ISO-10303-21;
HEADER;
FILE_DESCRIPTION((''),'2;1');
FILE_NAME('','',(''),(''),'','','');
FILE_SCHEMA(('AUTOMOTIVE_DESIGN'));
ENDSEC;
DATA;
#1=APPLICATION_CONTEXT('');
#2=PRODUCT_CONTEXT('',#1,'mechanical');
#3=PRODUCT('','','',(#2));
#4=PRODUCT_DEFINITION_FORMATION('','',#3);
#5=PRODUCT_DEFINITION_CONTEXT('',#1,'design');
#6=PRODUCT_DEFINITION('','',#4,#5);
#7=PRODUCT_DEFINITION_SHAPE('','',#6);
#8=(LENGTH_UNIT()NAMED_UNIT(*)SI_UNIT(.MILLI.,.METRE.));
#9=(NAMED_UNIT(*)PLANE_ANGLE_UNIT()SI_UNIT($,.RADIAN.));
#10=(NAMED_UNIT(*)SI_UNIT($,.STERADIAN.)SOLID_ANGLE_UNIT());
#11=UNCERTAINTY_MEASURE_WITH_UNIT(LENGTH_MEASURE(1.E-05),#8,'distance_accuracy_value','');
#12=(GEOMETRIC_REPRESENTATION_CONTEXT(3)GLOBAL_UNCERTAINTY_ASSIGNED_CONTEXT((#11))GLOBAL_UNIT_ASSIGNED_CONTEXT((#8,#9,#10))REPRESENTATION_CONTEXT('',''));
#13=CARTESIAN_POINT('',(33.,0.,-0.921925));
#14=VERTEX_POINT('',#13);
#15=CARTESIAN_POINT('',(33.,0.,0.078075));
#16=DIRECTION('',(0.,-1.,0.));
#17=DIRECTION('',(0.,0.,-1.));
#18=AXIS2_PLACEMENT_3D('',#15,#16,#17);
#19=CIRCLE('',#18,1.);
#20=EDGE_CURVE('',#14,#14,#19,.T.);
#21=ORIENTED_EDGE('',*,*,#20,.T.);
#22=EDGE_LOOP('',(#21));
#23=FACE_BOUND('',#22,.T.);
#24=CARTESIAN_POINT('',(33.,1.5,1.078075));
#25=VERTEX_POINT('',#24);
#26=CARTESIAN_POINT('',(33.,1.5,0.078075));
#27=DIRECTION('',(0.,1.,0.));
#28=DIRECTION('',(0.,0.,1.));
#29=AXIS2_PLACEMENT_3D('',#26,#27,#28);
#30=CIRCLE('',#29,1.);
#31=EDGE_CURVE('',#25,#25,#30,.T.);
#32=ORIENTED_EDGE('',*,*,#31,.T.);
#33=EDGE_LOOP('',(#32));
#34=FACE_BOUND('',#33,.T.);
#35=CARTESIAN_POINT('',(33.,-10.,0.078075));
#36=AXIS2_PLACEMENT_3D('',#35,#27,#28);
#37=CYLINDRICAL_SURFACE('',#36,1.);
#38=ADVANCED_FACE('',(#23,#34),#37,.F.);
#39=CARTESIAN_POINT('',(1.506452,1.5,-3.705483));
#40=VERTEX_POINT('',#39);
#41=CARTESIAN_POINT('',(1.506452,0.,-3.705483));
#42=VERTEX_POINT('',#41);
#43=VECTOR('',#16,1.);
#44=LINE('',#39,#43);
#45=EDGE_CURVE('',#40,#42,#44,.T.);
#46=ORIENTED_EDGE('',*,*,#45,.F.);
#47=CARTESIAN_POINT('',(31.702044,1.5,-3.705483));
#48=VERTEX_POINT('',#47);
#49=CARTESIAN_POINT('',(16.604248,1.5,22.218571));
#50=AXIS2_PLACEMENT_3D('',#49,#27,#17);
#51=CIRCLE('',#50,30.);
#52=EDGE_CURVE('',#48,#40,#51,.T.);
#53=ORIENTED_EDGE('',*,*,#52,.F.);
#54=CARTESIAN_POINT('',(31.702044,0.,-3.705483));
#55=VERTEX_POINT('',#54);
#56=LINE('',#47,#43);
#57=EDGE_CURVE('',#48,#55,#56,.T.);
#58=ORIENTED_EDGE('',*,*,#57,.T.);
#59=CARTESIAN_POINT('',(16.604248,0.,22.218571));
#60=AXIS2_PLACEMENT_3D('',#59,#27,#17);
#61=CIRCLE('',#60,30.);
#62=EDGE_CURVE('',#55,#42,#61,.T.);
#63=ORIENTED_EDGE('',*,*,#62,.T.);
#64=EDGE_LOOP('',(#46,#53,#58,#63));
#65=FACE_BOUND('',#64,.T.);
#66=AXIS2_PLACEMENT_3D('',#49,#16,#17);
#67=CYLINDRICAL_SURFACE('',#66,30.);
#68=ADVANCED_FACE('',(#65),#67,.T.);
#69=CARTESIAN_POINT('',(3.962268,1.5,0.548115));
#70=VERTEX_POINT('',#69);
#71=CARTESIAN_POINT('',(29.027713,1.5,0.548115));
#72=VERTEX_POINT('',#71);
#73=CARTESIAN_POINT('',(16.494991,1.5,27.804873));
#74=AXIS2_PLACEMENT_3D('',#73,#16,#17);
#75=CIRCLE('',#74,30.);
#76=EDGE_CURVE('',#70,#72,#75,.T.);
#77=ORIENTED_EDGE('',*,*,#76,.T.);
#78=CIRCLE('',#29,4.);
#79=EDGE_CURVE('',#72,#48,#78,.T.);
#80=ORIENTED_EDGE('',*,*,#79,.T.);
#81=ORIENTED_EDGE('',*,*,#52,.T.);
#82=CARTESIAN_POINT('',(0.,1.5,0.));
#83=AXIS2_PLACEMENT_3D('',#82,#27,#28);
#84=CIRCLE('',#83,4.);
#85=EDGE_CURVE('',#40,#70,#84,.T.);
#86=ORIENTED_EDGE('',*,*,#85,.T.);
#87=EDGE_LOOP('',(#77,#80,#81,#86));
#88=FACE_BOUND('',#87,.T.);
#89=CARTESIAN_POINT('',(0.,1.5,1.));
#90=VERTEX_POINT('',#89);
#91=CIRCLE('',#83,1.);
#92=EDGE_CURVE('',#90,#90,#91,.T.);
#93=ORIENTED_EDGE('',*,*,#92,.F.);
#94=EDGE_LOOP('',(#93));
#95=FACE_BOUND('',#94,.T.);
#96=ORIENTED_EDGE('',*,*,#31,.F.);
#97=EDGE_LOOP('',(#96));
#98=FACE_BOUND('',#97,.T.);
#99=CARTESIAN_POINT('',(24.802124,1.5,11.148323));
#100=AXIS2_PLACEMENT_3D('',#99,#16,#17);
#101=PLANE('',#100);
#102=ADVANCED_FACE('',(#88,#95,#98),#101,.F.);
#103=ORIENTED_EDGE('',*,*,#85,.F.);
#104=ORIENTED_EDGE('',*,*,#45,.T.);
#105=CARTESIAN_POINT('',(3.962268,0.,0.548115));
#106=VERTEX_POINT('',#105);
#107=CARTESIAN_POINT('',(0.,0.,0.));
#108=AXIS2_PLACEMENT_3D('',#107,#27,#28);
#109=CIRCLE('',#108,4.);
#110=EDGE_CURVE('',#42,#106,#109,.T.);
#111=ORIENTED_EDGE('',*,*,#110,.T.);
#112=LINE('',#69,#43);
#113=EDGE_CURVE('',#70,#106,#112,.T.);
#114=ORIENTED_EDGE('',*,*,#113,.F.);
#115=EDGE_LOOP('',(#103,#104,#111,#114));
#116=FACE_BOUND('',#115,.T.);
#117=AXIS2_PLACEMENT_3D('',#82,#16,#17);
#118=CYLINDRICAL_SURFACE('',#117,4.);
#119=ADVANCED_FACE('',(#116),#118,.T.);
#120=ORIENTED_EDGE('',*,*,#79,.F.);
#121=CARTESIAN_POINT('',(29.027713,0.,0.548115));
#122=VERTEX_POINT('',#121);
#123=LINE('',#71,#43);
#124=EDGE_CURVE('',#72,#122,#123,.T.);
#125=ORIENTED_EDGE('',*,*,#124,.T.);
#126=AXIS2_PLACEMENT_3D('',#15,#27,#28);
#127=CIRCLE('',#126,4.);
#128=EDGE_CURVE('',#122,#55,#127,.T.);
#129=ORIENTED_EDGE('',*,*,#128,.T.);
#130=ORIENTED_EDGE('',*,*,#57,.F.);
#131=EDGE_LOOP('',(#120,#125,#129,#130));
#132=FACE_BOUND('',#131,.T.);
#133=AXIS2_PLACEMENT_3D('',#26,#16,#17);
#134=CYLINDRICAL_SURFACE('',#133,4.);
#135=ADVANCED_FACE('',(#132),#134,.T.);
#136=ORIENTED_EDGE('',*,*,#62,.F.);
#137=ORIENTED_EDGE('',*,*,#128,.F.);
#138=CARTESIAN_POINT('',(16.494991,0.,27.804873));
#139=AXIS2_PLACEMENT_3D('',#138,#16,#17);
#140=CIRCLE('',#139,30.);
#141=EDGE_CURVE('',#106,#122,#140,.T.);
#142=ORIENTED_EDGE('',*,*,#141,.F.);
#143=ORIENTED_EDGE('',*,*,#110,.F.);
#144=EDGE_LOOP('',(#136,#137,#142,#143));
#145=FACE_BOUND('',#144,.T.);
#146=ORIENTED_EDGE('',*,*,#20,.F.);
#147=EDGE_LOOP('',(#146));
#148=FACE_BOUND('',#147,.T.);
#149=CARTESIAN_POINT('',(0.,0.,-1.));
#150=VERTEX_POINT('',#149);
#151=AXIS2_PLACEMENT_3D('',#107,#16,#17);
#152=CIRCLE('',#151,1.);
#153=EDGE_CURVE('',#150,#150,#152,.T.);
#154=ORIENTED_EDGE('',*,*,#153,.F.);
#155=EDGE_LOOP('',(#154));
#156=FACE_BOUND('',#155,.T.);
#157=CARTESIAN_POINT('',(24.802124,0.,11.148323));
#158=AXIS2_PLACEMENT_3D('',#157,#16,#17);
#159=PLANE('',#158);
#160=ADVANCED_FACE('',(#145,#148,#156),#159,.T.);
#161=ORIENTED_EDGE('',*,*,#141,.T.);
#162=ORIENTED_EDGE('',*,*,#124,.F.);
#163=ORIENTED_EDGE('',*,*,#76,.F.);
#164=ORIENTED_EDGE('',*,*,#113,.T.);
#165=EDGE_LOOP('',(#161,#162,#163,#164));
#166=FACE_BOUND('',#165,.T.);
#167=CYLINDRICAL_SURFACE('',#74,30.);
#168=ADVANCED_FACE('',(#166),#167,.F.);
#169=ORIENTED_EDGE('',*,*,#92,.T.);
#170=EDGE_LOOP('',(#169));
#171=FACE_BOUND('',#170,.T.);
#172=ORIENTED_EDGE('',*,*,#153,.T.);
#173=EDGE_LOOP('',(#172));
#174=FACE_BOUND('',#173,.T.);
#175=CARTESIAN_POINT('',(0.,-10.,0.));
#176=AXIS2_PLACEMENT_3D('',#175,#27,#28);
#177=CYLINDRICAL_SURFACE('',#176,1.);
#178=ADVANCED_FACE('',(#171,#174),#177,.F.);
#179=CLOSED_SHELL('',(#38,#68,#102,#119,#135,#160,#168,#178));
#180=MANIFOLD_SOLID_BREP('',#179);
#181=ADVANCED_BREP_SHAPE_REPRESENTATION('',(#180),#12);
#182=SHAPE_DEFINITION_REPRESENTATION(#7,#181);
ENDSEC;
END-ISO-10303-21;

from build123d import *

# Parameters (mm, degrees)
BOSS_EXTRUDE1_DEPTH = 1.5
SKETCH3_R           = 1
CUT_EXTRUDE1_DEPTH  = 11.5


with BuildPart() as part:
    # Sketch1 → Boss-Extrude1 (new body)
    with BuildSketch(Plane(origin=(0, 0, 0), x_dir=(1, 0, 0), z_dir=(0, 1, 0))):
        with BuildLine():
            ThreePointArc((1.506452417, 3.705482575), (-3.464101615, -2), (3.962268252, -0.548115225))
            ThreePointArc((3.962268252, -0.548115225), (16.494990723, 2.195126577), (29.027713195, -0.548115225))
            ThreePointArc((29.027713195, -0.548115225), (36.386316352, -2.207127095), (31.702043975, 3.705482575))
            ThreePointArc((31.702043975, 3.705482575), (16.604248196, 7.78142883), (1.506452417, 3.705482575))
        make_face()
    extrude(amount=BOSS_EXTRUDE1_DEPTH)

    # Sketch3 → Cut-Extrude1 (cut)
    with BuildSketch(Plane(origin=(0, 1.5, 0), x_dir=(1, 0, 0), z_dir=(0, 1, 0))):
        with Locations((33, -0.078075295)):
            Circle(SKETCH3_R)
        Circle(SKETCH3_R)
    extrude(amount=-CUT_EXTRUDE1_DEPTH, mode=Mode.SUBTRACT)


solid = part.part
